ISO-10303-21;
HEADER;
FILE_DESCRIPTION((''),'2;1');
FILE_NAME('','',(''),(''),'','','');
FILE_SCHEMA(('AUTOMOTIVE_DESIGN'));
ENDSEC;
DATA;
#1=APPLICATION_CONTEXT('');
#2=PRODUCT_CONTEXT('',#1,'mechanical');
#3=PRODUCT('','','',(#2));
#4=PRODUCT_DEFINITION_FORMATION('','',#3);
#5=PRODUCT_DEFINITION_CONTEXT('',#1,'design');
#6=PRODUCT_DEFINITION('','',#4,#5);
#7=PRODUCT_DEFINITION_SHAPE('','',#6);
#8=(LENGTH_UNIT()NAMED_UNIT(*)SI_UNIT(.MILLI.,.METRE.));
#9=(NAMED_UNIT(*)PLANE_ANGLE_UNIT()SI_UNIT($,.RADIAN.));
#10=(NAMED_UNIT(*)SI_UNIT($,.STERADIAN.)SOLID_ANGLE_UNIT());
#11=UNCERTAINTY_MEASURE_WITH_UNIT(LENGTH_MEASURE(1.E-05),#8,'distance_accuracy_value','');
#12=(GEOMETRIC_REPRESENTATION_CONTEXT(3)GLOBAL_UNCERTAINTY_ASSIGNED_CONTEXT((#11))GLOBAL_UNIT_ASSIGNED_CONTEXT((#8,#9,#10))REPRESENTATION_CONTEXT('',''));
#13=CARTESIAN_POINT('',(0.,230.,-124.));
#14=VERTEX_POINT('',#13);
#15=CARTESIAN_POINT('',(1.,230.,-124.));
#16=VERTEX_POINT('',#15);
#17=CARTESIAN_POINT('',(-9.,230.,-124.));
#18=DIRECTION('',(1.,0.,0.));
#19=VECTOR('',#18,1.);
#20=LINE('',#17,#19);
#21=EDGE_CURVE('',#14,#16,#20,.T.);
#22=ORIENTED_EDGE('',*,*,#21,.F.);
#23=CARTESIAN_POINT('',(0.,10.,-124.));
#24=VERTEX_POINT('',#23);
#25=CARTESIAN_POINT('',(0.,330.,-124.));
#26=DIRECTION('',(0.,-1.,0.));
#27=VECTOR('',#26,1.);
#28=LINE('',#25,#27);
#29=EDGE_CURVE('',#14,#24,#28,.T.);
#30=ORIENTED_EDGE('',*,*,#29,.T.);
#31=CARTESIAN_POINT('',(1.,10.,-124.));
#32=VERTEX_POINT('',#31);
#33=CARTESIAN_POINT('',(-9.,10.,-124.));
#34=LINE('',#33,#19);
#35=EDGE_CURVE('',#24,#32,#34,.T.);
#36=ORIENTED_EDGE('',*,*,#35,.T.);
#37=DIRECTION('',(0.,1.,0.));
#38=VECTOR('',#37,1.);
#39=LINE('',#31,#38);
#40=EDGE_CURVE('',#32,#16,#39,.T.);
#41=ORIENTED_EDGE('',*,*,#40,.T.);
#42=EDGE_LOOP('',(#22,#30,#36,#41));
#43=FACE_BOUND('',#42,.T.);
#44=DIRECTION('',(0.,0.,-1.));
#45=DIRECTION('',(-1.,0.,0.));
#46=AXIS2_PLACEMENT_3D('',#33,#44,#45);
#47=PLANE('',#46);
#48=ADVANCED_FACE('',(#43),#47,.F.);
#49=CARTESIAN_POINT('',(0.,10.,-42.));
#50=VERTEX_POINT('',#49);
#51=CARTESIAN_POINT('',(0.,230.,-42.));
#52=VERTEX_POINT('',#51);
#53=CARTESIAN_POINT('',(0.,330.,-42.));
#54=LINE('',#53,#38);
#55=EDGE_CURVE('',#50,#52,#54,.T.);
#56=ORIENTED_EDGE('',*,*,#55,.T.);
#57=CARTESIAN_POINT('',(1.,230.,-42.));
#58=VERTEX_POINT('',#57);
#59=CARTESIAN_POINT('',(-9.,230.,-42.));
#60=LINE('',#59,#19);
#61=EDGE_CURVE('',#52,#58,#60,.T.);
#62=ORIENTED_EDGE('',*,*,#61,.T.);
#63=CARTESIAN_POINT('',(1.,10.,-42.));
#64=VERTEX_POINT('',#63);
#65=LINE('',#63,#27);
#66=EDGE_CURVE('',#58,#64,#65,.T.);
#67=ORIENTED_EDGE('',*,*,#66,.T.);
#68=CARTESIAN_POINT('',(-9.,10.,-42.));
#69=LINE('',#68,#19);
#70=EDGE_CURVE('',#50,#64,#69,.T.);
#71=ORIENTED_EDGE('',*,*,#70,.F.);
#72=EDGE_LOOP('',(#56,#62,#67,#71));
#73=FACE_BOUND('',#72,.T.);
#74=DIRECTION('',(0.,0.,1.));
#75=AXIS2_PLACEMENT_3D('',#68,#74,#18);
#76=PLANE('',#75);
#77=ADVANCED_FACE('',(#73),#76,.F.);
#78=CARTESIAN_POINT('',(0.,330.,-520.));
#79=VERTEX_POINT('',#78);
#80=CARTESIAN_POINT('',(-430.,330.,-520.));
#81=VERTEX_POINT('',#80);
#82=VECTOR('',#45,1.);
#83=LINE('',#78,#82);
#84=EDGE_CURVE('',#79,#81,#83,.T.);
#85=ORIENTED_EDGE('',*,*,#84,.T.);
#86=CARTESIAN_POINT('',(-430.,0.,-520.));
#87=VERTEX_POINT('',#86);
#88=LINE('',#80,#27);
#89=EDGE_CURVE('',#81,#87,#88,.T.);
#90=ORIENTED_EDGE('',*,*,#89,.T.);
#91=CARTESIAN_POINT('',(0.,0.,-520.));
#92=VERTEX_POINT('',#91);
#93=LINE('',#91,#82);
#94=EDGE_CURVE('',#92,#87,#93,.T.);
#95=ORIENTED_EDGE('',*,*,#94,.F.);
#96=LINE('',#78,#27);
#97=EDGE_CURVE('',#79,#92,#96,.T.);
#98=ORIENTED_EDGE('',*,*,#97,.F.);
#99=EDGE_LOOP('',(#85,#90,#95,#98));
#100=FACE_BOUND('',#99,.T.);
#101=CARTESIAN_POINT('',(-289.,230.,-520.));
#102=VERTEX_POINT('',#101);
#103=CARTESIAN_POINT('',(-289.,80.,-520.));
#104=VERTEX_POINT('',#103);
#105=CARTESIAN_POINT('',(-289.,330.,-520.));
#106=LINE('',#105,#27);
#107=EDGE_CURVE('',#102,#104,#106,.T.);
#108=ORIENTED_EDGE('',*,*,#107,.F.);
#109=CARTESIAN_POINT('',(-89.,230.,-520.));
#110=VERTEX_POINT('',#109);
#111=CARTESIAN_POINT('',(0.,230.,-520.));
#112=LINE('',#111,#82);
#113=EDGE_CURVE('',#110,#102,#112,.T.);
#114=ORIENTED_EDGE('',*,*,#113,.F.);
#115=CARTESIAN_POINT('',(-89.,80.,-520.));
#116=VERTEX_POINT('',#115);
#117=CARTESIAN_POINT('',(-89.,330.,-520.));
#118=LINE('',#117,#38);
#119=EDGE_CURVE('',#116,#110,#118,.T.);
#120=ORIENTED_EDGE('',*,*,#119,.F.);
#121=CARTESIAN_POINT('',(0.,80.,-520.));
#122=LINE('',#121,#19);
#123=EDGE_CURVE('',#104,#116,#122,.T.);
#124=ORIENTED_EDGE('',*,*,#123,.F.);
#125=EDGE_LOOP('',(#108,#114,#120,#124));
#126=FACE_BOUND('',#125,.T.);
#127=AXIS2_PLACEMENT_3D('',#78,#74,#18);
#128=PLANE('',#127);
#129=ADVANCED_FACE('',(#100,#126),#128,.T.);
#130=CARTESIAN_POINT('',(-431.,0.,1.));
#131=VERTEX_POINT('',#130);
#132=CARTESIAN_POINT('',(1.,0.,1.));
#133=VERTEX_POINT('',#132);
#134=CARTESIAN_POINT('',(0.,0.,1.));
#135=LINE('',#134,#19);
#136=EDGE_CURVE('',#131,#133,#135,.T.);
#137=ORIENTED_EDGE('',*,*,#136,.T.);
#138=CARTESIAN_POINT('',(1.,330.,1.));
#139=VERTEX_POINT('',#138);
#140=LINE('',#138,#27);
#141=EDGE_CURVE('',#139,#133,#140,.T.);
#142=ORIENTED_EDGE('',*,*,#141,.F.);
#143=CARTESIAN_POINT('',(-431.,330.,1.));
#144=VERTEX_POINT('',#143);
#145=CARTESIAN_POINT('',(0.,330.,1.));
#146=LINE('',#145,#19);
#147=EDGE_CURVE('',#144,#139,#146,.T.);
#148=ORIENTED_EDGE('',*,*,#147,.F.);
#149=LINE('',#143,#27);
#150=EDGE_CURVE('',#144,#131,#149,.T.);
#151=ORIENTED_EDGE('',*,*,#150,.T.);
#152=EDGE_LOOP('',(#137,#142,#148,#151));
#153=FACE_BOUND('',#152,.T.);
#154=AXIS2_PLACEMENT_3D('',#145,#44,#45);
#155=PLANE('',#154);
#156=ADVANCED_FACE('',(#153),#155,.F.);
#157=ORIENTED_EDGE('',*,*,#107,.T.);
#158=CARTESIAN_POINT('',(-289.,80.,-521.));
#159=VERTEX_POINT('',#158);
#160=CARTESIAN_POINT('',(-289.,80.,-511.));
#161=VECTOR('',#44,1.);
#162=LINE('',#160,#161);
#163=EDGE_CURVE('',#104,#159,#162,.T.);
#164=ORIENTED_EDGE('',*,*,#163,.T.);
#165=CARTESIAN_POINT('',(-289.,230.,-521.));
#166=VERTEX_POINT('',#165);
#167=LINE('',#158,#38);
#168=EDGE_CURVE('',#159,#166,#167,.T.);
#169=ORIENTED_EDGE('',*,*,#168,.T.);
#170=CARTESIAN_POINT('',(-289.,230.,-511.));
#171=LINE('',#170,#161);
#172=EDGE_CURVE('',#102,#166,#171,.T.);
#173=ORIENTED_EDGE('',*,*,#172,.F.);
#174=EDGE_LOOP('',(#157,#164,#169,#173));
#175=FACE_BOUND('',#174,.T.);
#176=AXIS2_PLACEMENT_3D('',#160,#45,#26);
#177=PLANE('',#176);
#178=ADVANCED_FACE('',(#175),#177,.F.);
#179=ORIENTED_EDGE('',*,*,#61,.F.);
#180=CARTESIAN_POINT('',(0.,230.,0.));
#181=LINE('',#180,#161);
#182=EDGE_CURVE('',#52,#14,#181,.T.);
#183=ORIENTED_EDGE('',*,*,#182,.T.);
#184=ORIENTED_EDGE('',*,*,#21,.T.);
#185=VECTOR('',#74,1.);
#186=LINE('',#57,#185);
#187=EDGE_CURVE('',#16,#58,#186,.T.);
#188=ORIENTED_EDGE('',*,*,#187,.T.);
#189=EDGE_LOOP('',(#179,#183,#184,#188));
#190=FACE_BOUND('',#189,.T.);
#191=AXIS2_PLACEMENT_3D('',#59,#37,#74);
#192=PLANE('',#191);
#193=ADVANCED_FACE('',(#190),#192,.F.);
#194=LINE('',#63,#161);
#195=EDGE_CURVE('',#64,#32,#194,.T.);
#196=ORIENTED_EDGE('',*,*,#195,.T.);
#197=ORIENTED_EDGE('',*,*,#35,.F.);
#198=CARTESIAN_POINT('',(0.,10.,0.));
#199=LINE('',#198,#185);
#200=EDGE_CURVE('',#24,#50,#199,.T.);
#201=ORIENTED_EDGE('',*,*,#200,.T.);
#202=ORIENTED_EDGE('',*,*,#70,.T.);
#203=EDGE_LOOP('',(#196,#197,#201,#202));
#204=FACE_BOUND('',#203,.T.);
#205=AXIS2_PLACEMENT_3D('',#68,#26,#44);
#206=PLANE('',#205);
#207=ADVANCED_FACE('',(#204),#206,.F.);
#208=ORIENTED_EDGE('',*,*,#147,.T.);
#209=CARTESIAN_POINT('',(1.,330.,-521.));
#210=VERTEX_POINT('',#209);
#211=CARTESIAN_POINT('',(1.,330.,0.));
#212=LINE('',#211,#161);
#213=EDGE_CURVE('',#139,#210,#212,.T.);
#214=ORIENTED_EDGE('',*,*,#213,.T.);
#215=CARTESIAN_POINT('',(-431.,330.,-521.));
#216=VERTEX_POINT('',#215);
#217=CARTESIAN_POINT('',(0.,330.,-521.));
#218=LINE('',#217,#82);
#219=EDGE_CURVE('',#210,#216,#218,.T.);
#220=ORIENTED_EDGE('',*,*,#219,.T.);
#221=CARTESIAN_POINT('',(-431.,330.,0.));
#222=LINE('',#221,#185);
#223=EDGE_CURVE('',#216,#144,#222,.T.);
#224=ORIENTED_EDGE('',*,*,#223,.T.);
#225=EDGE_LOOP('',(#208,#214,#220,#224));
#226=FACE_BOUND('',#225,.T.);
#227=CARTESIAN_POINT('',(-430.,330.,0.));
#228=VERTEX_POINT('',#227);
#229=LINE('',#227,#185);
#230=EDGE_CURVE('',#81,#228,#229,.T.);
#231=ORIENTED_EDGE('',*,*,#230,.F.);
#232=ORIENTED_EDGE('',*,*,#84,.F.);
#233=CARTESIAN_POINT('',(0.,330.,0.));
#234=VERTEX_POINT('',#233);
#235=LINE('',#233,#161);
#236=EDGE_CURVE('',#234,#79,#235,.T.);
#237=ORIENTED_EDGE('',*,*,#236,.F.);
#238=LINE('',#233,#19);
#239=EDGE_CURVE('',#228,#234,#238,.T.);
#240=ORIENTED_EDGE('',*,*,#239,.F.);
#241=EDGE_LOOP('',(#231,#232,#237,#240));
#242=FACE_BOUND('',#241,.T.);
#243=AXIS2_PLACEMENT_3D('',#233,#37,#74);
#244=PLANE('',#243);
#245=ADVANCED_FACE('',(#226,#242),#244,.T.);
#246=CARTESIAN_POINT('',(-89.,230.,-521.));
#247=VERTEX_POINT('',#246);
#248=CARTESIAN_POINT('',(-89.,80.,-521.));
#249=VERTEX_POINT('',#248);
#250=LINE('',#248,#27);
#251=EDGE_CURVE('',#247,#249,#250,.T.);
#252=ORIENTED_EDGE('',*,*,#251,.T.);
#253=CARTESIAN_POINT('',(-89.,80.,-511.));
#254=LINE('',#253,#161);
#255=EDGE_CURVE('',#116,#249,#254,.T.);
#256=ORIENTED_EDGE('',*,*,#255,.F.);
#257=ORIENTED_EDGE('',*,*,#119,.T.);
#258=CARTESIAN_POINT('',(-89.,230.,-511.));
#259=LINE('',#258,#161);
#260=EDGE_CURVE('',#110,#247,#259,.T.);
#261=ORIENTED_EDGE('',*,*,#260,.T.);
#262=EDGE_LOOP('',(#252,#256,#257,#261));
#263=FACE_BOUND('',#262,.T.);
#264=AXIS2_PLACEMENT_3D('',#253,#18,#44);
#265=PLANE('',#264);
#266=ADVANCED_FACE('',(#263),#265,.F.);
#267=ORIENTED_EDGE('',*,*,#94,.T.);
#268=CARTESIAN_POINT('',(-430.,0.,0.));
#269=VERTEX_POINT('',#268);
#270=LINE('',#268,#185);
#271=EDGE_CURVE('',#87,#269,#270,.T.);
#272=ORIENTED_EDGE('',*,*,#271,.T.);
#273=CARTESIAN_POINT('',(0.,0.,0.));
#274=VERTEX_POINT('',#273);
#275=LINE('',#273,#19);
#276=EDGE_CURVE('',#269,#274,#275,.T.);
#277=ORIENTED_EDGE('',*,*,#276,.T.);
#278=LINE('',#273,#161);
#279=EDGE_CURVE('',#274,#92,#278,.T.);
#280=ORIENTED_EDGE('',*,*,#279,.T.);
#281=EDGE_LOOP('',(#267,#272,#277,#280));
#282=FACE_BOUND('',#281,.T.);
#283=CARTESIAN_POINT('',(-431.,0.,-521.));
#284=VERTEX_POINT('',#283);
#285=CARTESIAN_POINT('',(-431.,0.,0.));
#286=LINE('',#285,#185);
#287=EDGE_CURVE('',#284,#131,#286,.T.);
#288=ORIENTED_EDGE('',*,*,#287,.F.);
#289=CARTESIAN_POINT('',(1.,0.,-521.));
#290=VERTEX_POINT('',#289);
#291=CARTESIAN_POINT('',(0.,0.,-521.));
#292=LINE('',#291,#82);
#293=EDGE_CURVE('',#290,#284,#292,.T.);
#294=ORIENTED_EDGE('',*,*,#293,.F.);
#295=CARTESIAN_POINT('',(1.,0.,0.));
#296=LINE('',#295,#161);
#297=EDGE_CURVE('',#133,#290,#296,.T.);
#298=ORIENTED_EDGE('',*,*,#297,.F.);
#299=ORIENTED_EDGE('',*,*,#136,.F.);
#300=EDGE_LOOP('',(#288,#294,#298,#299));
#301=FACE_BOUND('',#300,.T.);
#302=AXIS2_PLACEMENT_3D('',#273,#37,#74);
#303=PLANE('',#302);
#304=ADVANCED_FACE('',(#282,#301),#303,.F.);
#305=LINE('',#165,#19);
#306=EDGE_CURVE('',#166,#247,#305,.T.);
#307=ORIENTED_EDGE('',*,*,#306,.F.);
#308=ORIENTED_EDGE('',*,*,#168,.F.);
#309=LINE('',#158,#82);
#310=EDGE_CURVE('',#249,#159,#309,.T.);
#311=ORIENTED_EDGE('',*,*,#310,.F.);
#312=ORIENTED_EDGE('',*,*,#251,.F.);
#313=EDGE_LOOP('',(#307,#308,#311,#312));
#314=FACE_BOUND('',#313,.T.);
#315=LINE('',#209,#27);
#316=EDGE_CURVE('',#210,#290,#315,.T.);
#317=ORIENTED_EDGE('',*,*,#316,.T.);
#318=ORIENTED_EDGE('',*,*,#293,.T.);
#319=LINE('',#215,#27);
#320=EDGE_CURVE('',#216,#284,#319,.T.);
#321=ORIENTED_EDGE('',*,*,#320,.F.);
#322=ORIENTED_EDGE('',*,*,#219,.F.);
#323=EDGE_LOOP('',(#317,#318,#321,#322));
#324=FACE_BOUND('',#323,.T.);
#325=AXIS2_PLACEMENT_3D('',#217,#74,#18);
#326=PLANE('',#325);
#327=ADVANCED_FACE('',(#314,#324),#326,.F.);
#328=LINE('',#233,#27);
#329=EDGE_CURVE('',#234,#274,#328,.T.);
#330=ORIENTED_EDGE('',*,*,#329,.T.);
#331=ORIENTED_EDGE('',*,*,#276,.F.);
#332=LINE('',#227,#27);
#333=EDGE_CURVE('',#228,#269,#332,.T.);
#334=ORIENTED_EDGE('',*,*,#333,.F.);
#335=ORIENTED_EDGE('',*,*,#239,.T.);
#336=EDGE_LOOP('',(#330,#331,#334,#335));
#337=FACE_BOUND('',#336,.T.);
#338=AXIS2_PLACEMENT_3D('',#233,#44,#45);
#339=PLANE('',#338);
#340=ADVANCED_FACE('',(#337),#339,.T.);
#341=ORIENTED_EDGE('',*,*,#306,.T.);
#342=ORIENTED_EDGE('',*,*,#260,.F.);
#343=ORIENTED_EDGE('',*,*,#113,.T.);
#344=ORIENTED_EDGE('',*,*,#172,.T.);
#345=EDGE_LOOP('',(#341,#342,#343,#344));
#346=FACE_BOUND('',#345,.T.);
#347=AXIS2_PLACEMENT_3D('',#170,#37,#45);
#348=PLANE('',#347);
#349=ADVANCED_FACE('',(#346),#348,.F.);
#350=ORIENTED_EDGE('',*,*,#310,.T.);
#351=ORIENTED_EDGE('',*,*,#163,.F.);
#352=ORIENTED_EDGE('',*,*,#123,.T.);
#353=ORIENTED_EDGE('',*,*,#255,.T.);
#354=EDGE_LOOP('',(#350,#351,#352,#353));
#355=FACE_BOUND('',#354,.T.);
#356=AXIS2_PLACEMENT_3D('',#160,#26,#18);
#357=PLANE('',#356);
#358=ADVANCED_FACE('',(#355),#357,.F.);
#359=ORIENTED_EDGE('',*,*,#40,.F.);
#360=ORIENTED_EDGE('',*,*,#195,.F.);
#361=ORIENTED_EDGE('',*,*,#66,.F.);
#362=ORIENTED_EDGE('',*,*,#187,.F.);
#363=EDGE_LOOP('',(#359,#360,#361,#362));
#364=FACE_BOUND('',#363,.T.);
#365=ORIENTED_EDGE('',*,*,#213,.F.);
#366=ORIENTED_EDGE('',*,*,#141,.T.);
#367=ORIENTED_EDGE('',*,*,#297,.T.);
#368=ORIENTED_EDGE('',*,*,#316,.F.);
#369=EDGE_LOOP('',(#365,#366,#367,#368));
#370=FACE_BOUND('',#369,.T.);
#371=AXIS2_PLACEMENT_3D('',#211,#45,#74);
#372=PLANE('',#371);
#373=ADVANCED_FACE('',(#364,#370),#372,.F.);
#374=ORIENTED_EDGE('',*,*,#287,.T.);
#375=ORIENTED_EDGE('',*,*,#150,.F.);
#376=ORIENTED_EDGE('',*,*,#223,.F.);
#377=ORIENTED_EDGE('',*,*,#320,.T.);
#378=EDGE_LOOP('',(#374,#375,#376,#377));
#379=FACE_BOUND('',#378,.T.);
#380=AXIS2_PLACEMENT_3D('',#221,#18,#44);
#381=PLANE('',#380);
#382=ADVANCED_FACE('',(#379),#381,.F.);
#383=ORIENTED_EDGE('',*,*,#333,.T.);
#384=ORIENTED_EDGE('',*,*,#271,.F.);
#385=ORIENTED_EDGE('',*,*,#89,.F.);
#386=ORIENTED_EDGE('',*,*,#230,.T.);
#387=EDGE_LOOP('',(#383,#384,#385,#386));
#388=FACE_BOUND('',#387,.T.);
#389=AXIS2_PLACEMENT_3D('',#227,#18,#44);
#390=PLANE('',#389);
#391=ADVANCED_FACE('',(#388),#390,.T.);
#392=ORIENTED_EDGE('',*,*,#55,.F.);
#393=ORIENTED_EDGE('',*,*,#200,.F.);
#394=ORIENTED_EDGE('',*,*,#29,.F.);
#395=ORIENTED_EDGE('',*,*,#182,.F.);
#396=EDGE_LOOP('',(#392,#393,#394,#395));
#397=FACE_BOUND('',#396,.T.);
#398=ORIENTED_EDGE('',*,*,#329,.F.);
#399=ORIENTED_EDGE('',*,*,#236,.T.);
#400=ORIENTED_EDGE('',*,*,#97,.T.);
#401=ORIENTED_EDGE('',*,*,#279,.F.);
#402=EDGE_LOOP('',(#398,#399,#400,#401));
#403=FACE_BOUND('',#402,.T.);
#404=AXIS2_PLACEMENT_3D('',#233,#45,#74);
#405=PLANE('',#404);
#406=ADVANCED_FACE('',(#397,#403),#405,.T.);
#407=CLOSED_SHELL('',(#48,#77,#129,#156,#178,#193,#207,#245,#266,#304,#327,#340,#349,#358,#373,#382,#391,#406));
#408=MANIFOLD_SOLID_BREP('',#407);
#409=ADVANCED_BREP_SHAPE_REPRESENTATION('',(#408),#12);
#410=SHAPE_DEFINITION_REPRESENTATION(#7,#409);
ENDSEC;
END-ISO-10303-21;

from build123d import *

# Parameters (mm, degrees)
SKETCH_1_W          = 432
SKETCH_1_H          = 522
SKETCH_1_W_2        = 430
SKETCH_1_H_2        = 520
EXTRUDE_2_DEPTH     = 330
SKETCH_2_W          = 82
SKETCH_2_H          = 220
CUT_EXTRUDE_2_DEPTH = 10
SKETCH_3_W          = 200
SKETCH_3_H          = 150
CUT_EXTRUDE_3_DEPTH = 10


with BuildPart() as part:
    # Эскиз1 → Вытянуть-Тонкостенный2 (new body)
    with BuildSketch(Plane(origin=(0, 0, 0), x_dir=(1, 0, 0), z_dir=(0, 1, 0))):
        with Locations((-215, 260)):
            Rectangle(SKETCH_1_W, SKETCH_1_H)
        with Locations((-215, 260)):
            Rectangle(SKETCH_1_W_2, SKETCH_1_H_2, mode=Mode.SUBTRACT)
    extrude(amount=EXTRUDE_2_DEPTH)

    # Эскиз2 → Вырез-Вытянуть2 (cut)
    with BuildSketch(Plane(origin=(1, 0, 0), x_dir=(0, 0, -1), z_dir=(1, 0, 0))):
        with Locations((83, 120)):
            Rectangle(SKETCH_2_W, SKETCH_2_H)
    extrude(amount=-CUT_EXTRUDE_2_DEPTH, mode=Mode.SUBTRACT)

    # Эскиз3 → Вырез-Вытянуть3 (cut)
    with BuildSketch(Plane(origin=(0, 0, -521), x_dir=(-1, 0, 0), z_dir=(0, 0, -1))):
        with Locations((189, 155)):
            Rectangle(SKETCH_3_W, SKETCH_3_H)
    extrude(amount=-CUT_EXTRUDE_3_DEPTH, mode=Mode.SUBTRACT)


solid = part.part
